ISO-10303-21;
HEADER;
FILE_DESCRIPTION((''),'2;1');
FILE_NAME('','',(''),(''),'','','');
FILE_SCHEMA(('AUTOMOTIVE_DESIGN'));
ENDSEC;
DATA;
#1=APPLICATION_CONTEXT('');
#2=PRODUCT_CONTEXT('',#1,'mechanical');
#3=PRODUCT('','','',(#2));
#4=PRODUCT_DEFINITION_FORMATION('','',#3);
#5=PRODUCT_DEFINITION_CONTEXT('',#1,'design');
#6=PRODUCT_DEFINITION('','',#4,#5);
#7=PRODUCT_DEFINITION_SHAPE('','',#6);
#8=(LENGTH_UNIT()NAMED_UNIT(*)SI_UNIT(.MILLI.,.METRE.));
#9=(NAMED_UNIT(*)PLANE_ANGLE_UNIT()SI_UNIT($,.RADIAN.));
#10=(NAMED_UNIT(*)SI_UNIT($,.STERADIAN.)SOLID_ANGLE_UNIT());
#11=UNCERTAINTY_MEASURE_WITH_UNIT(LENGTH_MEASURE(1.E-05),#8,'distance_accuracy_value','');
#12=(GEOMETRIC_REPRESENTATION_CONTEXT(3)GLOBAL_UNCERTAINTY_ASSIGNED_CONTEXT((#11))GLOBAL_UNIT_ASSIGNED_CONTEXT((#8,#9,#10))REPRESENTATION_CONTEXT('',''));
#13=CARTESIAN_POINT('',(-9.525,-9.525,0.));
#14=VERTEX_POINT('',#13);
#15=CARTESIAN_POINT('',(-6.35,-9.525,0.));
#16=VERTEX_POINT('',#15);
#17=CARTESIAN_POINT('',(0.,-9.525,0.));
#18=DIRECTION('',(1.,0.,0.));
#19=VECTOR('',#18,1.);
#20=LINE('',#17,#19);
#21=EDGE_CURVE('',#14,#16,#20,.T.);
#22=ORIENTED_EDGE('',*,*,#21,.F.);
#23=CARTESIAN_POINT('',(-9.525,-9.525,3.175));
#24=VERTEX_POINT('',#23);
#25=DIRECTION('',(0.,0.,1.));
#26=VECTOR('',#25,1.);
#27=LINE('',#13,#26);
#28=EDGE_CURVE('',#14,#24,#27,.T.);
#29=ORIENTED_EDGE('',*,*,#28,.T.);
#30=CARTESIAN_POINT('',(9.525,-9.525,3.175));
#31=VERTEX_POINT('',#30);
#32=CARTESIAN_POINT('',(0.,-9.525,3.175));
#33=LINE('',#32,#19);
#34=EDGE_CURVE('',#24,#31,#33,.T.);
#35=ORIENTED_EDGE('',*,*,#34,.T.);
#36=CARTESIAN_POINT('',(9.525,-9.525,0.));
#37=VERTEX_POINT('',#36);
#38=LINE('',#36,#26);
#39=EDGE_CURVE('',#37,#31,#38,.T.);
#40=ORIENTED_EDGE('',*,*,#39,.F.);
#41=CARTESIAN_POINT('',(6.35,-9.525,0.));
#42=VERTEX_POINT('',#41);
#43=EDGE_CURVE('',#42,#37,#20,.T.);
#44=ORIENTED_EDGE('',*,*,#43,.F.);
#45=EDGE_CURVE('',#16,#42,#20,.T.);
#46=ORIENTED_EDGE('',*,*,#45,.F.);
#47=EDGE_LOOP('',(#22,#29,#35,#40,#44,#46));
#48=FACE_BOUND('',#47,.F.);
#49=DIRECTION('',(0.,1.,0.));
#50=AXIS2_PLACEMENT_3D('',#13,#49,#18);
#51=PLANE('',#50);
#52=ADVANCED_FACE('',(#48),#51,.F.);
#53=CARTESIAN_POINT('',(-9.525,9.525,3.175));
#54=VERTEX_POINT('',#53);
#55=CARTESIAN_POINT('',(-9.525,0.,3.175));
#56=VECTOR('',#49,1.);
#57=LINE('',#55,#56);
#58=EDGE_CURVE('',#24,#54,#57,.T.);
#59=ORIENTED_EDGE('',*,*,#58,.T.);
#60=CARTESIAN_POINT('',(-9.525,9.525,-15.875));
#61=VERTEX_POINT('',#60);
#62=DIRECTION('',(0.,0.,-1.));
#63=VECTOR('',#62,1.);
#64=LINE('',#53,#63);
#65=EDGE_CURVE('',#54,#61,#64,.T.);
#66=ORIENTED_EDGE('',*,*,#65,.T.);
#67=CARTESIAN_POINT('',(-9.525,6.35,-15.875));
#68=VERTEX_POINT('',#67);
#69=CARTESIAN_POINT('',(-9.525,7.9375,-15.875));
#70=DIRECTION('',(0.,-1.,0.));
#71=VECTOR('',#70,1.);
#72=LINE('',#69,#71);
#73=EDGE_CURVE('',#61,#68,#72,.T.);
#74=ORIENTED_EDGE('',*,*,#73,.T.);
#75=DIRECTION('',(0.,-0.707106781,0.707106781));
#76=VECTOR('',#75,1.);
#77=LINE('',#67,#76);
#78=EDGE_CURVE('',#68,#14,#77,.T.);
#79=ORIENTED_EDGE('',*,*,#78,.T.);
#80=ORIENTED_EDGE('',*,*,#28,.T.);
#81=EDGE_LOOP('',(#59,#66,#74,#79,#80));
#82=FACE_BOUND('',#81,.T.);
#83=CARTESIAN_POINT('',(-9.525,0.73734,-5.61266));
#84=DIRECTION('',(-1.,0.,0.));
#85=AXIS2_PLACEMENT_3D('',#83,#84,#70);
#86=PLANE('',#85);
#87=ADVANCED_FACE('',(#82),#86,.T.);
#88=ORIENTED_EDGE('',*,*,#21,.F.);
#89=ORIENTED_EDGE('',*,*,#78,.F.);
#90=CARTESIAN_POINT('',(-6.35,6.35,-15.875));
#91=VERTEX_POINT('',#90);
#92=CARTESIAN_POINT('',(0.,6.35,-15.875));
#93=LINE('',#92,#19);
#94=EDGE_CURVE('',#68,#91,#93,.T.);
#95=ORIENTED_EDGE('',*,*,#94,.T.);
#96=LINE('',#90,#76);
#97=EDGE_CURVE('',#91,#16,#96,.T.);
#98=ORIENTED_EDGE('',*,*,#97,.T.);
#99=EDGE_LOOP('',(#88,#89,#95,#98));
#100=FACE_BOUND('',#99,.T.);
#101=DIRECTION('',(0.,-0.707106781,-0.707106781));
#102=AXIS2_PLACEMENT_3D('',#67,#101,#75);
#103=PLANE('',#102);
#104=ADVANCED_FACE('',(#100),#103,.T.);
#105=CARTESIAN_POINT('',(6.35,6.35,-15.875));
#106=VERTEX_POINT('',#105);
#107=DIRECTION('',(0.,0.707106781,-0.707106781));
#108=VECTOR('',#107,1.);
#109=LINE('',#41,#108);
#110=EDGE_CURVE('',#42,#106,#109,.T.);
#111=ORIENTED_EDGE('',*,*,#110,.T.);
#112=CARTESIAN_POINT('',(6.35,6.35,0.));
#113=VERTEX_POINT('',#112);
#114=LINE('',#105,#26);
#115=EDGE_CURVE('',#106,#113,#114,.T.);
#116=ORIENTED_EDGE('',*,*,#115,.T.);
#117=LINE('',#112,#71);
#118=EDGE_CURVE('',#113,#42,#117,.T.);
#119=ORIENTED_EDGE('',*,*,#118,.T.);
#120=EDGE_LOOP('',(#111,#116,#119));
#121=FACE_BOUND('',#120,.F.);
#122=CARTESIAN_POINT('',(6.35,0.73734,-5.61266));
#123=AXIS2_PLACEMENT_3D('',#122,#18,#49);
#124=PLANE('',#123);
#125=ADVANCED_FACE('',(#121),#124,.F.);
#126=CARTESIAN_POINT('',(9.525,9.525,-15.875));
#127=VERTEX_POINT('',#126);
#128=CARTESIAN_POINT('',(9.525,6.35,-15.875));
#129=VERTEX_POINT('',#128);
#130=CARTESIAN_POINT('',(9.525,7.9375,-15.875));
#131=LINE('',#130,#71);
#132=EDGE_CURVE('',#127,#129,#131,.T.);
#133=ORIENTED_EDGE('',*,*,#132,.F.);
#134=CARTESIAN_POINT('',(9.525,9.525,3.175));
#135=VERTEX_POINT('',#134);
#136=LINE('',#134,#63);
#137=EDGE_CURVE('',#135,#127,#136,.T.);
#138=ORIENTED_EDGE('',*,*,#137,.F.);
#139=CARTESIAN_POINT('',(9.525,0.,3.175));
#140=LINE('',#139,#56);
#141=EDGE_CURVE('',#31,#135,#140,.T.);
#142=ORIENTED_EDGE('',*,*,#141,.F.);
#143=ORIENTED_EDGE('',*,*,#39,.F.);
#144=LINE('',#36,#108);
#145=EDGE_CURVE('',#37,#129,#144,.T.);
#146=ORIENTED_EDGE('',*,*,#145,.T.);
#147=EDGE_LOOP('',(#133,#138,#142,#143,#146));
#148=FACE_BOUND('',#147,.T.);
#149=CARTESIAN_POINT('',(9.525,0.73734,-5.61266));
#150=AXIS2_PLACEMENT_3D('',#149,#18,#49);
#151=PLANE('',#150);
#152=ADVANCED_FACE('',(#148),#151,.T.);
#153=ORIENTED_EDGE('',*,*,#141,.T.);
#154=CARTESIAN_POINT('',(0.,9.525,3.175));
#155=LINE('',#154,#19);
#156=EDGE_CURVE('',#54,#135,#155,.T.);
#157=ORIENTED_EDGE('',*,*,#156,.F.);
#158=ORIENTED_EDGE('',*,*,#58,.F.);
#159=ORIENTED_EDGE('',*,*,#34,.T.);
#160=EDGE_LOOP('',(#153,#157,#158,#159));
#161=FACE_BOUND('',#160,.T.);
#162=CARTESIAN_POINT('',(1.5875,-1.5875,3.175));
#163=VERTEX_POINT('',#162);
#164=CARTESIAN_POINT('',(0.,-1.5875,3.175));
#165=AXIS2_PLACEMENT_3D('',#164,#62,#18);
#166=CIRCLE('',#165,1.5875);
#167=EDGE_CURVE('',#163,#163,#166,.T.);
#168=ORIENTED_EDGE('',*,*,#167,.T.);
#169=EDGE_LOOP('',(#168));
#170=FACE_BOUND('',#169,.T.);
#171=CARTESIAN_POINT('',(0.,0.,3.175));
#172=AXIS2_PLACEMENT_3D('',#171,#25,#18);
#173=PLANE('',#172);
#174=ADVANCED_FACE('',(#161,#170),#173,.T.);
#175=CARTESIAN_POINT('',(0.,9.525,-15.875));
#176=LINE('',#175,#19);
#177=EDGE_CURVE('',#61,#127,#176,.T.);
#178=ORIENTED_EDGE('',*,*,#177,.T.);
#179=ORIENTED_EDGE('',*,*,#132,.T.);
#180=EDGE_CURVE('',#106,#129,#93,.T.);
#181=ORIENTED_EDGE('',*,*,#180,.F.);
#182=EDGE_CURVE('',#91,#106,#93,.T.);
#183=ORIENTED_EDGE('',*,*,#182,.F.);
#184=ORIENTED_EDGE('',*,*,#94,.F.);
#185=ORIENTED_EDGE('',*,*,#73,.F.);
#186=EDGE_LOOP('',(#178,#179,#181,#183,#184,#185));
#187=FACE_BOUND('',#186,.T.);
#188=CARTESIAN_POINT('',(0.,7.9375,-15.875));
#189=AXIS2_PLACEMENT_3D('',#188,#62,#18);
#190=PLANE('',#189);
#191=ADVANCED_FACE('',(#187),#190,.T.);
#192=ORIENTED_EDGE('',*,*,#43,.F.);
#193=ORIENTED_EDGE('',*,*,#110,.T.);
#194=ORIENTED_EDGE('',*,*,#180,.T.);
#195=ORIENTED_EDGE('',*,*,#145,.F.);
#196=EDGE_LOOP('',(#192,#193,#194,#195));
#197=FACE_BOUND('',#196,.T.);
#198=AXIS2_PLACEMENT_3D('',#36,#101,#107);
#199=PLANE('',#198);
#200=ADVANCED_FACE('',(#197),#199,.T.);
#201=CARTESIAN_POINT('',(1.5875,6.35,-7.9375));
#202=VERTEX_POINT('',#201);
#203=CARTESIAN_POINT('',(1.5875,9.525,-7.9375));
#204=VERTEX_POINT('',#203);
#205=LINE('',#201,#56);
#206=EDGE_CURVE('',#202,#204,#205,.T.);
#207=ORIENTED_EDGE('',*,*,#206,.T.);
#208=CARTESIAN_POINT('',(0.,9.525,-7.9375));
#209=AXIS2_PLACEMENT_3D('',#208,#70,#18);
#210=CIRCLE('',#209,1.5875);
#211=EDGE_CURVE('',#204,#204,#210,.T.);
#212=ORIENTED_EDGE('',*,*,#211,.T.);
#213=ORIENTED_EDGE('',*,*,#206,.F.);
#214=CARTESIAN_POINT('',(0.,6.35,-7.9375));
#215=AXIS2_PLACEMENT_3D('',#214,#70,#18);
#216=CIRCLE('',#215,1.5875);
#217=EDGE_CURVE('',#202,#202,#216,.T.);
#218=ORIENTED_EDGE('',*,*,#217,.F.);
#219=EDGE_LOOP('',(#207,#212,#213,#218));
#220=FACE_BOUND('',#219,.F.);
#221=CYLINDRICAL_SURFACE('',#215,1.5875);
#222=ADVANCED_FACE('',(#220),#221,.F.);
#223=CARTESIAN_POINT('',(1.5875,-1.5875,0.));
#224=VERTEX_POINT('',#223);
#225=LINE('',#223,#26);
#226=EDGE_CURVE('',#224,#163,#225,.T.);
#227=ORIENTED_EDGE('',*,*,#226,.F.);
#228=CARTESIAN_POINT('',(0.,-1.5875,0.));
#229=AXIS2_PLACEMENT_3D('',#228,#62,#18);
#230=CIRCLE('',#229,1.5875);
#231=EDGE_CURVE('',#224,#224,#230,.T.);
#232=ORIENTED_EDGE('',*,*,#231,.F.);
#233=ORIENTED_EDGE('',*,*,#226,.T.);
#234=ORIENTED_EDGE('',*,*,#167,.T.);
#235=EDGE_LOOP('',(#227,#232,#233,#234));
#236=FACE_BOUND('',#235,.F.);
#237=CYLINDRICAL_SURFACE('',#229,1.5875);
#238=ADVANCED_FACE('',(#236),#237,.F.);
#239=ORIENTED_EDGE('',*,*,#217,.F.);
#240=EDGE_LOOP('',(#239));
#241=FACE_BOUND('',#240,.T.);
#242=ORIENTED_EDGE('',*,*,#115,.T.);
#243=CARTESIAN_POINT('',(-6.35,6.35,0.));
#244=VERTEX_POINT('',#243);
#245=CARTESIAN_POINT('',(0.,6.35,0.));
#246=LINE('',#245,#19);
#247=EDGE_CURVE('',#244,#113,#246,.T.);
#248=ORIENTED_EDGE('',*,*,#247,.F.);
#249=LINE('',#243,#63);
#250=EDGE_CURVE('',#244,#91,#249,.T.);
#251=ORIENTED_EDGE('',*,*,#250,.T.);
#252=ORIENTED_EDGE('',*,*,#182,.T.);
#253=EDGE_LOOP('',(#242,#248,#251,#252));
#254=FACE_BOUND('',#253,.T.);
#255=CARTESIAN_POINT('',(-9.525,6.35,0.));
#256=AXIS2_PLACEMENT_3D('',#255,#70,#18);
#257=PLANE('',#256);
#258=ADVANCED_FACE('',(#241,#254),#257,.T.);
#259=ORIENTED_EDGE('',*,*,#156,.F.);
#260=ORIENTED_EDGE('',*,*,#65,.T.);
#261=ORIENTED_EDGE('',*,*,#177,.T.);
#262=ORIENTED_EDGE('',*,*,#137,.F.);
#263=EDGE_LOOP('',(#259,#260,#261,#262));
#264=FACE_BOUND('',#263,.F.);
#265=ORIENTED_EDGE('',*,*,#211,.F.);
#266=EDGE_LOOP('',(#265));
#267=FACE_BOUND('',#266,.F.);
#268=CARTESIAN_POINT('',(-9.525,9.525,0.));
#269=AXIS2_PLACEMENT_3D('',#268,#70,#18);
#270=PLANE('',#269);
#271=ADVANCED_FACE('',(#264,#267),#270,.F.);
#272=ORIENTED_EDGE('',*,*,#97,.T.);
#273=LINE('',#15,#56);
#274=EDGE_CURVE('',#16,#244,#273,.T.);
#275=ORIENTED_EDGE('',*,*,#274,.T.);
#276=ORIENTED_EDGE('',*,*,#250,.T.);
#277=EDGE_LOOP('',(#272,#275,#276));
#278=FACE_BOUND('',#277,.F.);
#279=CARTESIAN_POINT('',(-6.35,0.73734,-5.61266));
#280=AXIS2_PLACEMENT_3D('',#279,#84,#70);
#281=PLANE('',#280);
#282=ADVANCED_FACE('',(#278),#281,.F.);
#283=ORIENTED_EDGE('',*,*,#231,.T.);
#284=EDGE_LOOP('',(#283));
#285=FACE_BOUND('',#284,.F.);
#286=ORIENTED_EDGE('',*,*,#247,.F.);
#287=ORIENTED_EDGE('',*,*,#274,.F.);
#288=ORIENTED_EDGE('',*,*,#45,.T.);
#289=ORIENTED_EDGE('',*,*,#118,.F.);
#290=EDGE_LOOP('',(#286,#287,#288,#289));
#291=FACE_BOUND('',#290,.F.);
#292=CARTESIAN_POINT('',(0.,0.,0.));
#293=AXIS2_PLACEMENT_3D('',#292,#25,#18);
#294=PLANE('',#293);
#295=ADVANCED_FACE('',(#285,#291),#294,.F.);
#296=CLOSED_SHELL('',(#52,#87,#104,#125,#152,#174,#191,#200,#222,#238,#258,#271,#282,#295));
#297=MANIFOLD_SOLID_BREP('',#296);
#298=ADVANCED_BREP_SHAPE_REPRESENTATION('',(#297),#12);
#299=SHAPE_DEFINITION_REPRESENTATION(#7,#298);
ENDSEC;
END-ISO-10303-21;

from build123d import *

# Parameters (mm, degrees)
F0_W      = 19.05
F0_H      = 19.05
F1_DEPTH  = 3.175
F2_W      = 19.05
F2_H      = 3.175
F3_DEPTH  = 15.875
F5_DEPTH  = 3.175
F7_DEPTH  = 3.175
F8_R      = 1.5875
F9_DEPTH  = 3.176
F10_R     = 1.5875
F11_DEPTH = 3.176


with BuildPart() as f1:
    # F0 (on Top) → F1 (new body)
    with BuildSketch(Plane.XY):
        Rectangle(F0_W, F0_H)
    extrude(amount=F1_DEPTH)

    # F2 (on face) → F3 (join)
    with BuildSketch(Plane(origin=(0, 0, 0), x_dir=(1, 0, 0), z_dir=(0, 0, -1))):
        with Locations((0, -7.9375)):
            Rectangle(F2_W, F2_H)
    extrude(amount=F3_DEPTH)

    # F4 (on face) → F5 (join)
    with BuildSketch(Plane(origin=(-9.525, 0, 0), x_dir=(0, -1, 0), z_dir=(-1, 0, 0))):
        Polygon((-6.35, -15.875), (9.525, 0), (-6.35, 0), align=None)
    extrude(amount=-F5_DEPTH)

    # F6 (on face) → F7 (join)
    with BuildSketch(Plane.YZ.offset(9.525)):
        Polygon((-9.525, 0), (6.35, -15.875), (6.35, 0), align=None)
    extrude(amount=-F7_DEPTH)

    # F8 (on face) → F9 (cut, through all)
    with BuildSketch(Plane.XZ.offset(-6.35)):
        with Locations((0, -7.9375)):
            Circle(F8_R)
    extrude(amount=-F9_DEPTH, mode=Mode.SUBTRACT)

    # F10 (on face) → F11 (cut, through all)
    with BuildSketch(Plane(origin=(0, 0, 0), x_dir=(1, 0, 0), z_dir=(0, 0, -1))):
        with Locations((0, 1.5875)):
            Circle(F10_R)
    extrude(amount=-F11_DEPTH, mode=Mode.SUBTRACT)


solid = f1.part
